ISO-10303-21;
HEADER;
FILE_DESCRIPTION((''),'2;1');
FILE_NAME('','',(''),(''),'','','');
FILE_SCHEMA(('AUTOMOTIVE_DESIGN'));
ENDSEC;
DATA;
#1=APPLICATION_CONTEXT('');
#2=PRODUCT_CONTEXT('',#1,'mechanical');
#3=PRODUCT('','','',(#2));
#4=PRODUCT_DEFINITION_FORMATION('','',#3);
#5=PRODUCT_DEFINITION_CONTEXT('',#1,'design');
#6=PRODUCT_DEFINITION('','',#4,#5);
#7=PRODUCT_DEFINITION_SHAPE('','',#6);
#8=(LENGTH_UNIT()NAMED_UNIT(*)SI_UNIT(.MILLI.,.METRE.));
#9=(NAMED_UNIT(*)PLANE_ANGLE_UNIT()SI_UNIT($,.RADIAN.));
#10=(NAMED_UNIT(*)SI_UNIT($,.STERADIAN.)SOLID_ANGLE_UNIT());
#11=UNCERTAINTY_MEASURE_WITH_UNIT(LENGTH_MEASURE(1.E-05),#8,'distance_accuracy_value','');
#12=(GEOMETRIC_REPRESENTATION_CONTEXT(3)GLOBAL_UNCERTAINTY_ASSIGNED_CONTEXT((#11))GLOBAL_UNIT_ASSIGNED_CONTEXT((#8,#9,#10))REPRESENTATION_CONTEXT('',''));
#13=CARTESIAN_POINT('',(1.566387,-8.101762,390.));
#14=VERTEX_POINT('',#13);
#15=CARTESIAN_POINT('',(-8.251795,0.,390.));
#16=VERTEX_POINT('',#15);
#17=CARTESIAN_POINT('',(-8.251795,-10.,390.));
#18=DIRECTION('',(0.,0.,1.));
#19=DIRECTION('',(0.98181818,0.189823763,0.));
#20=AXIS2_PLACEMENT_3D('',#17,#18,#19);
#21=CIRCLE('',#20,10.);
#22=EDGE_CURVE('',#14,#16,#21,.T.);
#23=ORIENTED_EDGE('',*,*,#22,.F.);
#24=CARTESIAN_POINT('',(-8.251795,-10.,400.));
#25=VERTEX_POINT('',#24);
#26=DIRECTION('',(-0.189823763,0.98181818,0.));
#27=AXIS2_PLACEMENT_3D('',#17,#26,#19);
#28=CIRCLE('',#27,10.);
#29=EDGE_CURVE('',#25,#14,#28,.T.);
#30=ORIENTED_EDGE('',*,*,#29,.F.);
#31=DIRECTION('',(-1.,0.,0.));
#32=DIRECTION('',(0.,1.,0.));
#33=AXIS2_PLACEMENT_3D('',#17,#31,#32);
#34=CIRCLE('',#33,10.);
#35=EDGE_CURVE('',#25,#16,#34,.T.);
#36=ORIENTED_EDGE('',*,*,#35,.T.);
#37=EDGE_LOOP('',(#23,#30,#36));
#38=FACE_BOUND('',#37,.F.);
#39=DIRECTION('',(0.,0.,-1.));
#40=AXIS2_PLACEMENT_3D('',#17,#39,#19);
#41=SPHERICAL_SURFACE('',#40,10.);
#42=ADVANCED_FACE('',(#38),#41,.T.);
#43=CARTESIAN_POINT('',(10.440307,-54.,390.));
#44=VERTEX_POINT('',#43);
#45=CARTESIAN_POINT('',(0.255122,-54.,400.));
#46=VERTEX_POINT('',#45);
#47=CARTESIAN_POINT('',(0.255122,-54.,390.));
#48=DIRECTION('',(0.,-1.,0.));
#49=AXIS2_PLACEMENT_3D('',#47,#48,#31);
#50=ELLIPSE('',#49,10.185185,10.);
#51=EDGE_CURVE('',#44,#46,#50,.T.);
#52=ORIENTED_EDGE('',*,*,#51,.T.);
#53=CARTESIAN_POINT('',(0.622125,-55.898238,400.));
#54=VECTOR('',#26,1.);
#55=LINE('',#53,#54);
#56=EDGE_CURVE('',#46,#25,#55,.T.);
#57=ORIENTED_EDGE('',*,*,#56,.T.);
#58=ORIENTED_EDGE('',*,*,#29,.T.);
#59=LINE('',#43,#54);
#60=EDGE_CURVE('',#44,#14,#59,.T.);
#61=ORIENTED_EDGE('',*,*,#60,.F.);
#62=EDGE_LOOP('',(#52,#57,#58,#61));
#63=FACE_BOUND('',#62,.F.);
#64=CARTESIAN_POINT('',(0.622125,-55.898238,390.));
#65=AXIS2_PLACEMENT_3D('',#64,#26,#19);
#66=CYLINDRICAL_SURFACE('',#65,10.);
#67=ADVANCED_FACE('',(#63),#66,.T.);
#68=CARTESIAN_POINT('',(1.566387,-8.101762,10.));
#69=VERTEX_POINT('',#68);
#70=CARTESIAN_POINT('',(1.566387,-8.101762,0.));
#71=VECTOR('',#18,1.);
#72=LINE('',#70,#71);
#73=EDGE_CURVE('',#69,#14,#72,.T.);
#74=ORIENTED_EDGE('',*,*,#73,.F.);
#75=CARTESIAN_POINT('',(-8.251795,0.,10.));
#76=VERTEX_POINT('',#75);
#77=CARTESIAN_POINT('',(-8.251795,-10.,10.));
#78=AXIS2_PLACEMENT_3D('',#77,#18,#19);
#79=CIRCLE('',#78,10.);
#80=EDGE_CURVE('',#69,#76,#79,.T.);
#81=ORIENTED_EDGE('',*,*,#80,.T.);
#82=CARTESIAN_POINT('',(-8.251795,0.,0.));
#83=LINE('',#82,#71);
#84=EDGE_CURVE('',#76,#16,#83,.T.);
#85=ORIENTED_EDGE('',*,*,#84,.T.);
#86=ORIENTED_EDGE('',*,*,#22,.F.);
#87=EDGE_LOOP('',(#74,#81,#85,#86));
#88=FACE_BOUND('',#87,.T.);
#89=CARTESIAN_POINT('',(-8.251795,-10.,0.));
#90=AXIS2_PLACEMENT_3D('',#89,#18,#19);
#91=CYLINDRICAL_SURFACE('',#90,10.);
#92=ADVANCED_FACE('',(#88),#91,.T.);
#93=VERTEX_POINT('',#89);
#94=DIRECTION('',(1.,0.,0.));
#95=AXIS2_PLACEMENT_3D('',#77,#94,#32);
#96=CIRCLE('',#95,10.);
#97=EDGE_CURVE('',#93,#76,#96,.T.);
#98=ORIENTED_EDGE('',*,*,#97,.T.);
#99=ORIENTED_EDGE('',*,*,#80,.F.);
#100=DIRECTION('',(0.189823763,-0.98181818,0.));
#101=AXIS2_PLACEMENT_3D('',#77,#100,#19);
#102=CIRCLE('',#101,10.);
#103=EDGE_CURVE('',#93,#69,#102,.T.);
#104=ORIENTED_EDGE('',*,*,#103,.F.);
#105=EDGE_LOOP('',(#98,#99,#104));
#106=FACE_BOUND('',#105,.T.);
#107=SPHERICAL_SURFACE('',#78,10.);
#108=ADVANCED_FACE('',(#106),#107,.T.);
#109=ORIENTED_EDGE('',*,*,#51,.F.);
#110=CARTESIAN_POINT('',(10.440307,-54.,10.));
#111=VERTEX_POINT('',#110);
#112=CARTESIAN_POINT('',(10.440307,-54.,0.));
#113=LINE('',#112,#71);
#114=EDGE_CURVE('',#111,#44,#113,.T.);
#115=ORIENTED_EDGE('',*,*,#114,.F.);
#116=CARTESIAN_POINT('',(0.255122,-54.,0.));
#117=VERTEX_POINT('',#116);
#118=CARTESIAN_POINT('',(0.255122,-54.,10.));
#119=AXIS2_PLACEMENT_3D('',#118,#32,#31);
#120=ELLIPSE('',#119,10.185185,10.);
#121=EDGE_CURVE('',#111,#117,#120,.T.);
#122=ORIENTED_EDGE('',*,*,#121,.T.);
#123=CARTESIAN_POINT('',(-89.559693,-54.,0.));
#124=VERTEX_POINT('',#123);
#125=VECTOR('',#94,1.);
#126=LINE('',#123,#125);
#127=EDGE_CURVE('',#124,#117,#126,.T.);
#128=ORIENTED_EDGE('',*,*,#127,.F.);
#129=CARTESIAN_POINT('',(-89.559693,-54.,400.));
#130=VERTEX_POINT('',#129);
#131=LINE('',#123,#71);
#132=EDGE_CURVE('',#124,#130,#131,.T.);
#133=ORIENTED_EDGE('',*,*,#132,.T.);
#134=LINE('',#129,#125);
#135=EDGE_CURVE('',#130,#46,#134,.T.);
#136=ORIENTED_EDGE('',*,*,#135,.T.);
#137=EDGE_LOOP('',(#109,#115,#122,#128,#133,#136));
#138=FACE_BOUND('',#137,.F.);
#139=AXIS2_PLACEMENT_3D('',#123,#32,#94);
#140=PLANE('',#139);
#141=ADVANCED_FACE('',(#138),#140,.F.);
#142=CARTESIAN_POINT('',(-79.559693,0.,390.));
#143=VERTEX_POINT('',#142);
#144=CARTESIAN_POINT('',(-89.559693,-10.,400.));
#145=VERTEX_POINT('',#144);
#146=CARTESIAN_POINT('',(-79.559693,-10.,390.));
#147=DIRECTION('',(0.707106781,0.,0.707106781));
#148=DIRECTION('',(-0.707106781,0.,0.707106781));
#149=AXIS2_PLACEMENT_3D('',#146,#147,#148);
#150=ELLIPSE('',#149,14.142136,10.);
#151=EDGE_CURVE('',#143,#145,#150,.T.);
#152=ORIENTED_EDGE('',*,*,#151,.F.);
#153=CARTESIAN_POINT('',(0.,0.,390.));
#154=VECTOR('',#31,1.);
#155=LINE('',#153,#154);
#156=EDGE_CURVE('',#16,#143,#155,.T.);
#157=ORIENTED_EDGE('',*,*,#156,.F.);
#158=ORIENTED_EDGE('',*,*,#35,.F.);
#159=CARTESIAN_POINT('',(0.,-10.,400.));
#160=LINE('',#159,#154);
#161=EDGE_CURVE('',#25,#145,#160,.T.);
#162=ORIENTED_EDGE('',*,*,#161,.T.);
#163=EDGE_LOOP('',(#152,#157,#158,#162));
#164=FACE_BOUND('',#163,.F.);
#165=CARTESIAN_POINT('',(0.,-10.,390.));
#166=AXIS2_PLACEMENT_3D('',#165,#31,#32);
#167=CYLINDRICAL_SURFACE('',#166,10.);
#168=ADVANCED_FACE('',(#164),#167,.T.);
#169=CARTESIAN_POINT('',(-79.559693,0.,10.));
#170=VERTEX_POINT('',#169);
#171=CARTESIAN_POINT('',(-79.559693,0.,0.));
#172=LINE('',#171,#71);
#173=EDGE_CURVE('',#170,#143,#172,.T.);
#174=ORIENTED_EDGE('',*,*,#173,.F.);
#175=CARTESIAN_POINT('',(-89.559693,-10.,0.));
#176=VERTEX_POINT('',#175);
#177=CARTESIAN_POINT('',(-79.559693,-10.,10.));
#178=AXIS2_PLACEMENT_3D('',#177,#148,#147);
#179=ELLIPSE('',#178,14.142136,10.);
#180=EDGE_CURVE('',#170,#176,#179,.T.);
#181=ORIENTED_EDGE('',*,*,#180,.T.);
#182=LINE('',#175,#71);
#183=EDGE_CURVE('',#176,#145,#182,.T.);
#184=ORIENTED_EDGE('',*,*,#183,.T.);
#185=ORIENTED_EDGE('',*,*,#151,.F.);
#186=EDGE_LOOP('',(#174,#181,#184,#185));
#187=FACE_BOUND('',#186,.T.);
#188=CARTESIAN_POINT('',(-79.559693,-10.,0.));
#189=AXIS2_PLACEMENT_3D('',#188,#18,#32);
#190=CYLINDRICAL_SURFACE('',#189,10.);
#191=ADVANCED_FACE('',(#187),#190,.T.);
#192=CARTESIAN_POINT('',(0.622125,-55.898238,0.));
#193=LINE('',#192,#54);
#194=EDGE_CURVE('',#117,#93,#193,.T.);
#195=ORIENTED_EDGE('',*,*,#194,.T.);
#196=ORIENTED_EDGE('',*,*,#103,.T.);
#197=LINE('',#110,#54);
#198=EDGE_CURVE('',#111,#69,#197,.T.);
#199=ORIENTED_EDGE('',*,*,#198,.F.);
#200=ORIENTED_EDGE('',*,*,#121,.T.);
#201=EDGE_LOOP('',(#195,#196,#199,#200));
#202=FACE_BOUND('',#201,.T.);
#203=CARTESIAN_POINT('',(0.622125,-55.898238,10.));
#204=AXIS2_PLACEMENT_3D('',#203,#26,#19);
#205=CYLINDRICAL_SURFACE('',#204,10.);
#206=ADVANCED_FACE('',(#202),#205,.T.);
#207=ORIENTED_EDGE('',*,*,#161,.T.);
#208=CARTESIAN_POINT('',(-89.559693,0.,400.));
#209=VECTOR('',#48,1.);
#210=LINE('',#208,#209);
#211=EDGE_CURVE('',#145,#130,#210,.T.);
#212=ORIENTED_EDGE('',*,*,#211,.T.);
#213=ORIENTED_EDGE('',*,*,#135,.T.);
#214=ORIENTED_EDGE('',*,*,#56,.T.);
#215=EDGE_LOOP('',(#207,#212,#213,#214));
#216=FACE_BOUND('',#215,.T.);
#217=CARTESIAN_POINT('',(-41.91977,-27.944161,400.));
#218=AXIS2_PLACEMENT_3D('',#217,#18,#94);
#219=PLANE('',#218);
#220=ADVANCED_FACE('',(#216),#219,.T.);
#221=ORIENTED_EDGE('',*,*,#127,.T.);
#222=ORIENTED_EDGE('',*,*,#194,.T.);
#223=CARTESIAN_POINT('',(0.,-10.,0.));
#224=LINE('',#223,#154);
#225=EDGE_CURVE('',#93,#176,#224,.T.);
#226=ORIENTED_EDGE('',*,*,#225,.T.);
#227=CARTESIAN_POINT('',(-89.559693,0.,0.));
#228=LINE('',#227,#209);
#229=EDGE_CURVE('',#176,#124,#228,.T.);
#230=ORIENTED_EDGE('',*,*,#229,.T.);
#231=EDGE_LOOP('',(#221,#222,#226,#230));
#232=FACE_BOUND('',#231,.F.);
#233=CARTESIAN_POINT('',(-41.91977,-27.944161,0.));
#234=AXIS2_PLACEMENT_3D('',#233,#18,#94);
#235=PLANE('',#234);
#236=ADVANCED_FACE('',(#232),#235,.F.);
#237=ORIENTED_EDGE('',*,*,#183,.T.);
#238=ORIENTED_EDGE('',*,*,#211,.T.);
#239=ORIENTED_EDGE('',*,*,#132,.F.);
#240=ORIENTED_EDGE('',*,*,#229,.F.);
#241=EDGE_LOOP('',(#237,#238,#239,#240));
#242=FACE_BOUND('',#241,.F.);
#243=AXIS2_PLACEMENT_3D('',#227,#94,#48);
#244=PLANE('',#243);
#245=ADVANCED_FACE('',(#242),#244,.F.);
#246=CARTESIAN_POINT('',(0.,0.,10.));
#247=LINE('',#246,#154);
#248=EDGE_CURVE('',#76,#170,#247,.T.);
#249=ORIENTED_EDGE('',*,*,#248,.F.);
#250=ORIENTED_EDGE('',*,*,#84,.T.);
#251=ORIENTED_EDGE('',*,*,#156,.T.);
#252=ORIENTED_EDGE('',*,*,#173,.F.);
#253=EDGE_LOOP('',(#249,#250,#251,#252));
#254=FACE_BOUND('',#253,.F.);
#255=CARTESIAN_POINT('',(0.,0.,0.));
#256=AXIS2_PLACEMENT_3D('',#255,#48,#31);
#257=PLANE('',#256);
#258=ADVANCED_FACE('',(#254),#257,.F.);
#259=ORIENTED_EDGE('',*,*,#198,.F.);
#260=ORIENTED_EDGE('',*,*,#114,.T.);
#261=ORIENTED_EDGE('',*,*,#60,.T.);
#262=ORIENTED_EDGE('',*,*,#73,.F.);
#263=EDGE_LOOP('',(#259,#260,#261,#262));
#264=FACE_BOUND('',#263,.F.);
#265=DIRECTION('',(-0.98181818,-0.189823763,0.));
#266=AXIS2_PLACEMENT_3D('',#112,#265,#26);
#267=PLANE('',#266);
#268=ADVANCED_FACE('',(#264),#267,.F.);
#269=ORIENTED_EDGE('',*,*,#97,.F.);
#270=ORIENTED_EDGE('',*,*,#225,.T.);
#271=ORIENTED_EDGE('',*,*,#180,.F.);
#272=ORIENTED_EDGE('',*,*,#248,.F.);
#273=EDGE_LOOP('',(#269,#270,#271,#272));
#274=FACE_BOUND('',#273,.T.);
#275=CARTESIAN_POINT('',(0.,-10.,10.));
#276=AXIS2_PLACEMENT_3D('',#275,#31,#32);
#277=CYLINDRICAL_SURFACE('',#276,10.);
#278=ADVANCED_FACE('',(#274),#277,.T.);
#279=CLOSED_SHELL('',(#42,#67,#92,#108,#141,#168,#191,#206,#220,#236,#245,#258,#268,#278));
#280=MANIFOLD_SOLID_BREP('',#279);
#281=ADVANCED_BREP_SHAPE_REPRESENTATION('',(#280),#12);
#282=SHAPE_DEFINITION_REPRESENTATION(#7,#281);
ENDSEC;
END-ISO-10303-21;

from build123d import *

# Parameters (mm, degrees)
F1_DEPTH = 400
F2_R     = 10


with BuildPart() as f1:
    # F0 (on Top) → F1 (new body)
    with BuildSketch(Plane.XY):
        Polygon((10.440307, -54), (0, 0), (-89.559693, 0), (-89.559693, -54), align=None)
    extrude(amount=F1_DEPTH)

    # F2
    f2_edges = [f1.edges().sort_by_distance(p)[0] for p in [
        (0, 0, 200),
        (5.220153, -27, 400),
        (5.220153, -27, 0),
        (-89.559693, 0, 200),
        (-44.779847, 0, 0),
        (-44.779847, 0, 400),
    ]]
    fillet(f2_edges, radius=F2_R)


solid = f1.part
